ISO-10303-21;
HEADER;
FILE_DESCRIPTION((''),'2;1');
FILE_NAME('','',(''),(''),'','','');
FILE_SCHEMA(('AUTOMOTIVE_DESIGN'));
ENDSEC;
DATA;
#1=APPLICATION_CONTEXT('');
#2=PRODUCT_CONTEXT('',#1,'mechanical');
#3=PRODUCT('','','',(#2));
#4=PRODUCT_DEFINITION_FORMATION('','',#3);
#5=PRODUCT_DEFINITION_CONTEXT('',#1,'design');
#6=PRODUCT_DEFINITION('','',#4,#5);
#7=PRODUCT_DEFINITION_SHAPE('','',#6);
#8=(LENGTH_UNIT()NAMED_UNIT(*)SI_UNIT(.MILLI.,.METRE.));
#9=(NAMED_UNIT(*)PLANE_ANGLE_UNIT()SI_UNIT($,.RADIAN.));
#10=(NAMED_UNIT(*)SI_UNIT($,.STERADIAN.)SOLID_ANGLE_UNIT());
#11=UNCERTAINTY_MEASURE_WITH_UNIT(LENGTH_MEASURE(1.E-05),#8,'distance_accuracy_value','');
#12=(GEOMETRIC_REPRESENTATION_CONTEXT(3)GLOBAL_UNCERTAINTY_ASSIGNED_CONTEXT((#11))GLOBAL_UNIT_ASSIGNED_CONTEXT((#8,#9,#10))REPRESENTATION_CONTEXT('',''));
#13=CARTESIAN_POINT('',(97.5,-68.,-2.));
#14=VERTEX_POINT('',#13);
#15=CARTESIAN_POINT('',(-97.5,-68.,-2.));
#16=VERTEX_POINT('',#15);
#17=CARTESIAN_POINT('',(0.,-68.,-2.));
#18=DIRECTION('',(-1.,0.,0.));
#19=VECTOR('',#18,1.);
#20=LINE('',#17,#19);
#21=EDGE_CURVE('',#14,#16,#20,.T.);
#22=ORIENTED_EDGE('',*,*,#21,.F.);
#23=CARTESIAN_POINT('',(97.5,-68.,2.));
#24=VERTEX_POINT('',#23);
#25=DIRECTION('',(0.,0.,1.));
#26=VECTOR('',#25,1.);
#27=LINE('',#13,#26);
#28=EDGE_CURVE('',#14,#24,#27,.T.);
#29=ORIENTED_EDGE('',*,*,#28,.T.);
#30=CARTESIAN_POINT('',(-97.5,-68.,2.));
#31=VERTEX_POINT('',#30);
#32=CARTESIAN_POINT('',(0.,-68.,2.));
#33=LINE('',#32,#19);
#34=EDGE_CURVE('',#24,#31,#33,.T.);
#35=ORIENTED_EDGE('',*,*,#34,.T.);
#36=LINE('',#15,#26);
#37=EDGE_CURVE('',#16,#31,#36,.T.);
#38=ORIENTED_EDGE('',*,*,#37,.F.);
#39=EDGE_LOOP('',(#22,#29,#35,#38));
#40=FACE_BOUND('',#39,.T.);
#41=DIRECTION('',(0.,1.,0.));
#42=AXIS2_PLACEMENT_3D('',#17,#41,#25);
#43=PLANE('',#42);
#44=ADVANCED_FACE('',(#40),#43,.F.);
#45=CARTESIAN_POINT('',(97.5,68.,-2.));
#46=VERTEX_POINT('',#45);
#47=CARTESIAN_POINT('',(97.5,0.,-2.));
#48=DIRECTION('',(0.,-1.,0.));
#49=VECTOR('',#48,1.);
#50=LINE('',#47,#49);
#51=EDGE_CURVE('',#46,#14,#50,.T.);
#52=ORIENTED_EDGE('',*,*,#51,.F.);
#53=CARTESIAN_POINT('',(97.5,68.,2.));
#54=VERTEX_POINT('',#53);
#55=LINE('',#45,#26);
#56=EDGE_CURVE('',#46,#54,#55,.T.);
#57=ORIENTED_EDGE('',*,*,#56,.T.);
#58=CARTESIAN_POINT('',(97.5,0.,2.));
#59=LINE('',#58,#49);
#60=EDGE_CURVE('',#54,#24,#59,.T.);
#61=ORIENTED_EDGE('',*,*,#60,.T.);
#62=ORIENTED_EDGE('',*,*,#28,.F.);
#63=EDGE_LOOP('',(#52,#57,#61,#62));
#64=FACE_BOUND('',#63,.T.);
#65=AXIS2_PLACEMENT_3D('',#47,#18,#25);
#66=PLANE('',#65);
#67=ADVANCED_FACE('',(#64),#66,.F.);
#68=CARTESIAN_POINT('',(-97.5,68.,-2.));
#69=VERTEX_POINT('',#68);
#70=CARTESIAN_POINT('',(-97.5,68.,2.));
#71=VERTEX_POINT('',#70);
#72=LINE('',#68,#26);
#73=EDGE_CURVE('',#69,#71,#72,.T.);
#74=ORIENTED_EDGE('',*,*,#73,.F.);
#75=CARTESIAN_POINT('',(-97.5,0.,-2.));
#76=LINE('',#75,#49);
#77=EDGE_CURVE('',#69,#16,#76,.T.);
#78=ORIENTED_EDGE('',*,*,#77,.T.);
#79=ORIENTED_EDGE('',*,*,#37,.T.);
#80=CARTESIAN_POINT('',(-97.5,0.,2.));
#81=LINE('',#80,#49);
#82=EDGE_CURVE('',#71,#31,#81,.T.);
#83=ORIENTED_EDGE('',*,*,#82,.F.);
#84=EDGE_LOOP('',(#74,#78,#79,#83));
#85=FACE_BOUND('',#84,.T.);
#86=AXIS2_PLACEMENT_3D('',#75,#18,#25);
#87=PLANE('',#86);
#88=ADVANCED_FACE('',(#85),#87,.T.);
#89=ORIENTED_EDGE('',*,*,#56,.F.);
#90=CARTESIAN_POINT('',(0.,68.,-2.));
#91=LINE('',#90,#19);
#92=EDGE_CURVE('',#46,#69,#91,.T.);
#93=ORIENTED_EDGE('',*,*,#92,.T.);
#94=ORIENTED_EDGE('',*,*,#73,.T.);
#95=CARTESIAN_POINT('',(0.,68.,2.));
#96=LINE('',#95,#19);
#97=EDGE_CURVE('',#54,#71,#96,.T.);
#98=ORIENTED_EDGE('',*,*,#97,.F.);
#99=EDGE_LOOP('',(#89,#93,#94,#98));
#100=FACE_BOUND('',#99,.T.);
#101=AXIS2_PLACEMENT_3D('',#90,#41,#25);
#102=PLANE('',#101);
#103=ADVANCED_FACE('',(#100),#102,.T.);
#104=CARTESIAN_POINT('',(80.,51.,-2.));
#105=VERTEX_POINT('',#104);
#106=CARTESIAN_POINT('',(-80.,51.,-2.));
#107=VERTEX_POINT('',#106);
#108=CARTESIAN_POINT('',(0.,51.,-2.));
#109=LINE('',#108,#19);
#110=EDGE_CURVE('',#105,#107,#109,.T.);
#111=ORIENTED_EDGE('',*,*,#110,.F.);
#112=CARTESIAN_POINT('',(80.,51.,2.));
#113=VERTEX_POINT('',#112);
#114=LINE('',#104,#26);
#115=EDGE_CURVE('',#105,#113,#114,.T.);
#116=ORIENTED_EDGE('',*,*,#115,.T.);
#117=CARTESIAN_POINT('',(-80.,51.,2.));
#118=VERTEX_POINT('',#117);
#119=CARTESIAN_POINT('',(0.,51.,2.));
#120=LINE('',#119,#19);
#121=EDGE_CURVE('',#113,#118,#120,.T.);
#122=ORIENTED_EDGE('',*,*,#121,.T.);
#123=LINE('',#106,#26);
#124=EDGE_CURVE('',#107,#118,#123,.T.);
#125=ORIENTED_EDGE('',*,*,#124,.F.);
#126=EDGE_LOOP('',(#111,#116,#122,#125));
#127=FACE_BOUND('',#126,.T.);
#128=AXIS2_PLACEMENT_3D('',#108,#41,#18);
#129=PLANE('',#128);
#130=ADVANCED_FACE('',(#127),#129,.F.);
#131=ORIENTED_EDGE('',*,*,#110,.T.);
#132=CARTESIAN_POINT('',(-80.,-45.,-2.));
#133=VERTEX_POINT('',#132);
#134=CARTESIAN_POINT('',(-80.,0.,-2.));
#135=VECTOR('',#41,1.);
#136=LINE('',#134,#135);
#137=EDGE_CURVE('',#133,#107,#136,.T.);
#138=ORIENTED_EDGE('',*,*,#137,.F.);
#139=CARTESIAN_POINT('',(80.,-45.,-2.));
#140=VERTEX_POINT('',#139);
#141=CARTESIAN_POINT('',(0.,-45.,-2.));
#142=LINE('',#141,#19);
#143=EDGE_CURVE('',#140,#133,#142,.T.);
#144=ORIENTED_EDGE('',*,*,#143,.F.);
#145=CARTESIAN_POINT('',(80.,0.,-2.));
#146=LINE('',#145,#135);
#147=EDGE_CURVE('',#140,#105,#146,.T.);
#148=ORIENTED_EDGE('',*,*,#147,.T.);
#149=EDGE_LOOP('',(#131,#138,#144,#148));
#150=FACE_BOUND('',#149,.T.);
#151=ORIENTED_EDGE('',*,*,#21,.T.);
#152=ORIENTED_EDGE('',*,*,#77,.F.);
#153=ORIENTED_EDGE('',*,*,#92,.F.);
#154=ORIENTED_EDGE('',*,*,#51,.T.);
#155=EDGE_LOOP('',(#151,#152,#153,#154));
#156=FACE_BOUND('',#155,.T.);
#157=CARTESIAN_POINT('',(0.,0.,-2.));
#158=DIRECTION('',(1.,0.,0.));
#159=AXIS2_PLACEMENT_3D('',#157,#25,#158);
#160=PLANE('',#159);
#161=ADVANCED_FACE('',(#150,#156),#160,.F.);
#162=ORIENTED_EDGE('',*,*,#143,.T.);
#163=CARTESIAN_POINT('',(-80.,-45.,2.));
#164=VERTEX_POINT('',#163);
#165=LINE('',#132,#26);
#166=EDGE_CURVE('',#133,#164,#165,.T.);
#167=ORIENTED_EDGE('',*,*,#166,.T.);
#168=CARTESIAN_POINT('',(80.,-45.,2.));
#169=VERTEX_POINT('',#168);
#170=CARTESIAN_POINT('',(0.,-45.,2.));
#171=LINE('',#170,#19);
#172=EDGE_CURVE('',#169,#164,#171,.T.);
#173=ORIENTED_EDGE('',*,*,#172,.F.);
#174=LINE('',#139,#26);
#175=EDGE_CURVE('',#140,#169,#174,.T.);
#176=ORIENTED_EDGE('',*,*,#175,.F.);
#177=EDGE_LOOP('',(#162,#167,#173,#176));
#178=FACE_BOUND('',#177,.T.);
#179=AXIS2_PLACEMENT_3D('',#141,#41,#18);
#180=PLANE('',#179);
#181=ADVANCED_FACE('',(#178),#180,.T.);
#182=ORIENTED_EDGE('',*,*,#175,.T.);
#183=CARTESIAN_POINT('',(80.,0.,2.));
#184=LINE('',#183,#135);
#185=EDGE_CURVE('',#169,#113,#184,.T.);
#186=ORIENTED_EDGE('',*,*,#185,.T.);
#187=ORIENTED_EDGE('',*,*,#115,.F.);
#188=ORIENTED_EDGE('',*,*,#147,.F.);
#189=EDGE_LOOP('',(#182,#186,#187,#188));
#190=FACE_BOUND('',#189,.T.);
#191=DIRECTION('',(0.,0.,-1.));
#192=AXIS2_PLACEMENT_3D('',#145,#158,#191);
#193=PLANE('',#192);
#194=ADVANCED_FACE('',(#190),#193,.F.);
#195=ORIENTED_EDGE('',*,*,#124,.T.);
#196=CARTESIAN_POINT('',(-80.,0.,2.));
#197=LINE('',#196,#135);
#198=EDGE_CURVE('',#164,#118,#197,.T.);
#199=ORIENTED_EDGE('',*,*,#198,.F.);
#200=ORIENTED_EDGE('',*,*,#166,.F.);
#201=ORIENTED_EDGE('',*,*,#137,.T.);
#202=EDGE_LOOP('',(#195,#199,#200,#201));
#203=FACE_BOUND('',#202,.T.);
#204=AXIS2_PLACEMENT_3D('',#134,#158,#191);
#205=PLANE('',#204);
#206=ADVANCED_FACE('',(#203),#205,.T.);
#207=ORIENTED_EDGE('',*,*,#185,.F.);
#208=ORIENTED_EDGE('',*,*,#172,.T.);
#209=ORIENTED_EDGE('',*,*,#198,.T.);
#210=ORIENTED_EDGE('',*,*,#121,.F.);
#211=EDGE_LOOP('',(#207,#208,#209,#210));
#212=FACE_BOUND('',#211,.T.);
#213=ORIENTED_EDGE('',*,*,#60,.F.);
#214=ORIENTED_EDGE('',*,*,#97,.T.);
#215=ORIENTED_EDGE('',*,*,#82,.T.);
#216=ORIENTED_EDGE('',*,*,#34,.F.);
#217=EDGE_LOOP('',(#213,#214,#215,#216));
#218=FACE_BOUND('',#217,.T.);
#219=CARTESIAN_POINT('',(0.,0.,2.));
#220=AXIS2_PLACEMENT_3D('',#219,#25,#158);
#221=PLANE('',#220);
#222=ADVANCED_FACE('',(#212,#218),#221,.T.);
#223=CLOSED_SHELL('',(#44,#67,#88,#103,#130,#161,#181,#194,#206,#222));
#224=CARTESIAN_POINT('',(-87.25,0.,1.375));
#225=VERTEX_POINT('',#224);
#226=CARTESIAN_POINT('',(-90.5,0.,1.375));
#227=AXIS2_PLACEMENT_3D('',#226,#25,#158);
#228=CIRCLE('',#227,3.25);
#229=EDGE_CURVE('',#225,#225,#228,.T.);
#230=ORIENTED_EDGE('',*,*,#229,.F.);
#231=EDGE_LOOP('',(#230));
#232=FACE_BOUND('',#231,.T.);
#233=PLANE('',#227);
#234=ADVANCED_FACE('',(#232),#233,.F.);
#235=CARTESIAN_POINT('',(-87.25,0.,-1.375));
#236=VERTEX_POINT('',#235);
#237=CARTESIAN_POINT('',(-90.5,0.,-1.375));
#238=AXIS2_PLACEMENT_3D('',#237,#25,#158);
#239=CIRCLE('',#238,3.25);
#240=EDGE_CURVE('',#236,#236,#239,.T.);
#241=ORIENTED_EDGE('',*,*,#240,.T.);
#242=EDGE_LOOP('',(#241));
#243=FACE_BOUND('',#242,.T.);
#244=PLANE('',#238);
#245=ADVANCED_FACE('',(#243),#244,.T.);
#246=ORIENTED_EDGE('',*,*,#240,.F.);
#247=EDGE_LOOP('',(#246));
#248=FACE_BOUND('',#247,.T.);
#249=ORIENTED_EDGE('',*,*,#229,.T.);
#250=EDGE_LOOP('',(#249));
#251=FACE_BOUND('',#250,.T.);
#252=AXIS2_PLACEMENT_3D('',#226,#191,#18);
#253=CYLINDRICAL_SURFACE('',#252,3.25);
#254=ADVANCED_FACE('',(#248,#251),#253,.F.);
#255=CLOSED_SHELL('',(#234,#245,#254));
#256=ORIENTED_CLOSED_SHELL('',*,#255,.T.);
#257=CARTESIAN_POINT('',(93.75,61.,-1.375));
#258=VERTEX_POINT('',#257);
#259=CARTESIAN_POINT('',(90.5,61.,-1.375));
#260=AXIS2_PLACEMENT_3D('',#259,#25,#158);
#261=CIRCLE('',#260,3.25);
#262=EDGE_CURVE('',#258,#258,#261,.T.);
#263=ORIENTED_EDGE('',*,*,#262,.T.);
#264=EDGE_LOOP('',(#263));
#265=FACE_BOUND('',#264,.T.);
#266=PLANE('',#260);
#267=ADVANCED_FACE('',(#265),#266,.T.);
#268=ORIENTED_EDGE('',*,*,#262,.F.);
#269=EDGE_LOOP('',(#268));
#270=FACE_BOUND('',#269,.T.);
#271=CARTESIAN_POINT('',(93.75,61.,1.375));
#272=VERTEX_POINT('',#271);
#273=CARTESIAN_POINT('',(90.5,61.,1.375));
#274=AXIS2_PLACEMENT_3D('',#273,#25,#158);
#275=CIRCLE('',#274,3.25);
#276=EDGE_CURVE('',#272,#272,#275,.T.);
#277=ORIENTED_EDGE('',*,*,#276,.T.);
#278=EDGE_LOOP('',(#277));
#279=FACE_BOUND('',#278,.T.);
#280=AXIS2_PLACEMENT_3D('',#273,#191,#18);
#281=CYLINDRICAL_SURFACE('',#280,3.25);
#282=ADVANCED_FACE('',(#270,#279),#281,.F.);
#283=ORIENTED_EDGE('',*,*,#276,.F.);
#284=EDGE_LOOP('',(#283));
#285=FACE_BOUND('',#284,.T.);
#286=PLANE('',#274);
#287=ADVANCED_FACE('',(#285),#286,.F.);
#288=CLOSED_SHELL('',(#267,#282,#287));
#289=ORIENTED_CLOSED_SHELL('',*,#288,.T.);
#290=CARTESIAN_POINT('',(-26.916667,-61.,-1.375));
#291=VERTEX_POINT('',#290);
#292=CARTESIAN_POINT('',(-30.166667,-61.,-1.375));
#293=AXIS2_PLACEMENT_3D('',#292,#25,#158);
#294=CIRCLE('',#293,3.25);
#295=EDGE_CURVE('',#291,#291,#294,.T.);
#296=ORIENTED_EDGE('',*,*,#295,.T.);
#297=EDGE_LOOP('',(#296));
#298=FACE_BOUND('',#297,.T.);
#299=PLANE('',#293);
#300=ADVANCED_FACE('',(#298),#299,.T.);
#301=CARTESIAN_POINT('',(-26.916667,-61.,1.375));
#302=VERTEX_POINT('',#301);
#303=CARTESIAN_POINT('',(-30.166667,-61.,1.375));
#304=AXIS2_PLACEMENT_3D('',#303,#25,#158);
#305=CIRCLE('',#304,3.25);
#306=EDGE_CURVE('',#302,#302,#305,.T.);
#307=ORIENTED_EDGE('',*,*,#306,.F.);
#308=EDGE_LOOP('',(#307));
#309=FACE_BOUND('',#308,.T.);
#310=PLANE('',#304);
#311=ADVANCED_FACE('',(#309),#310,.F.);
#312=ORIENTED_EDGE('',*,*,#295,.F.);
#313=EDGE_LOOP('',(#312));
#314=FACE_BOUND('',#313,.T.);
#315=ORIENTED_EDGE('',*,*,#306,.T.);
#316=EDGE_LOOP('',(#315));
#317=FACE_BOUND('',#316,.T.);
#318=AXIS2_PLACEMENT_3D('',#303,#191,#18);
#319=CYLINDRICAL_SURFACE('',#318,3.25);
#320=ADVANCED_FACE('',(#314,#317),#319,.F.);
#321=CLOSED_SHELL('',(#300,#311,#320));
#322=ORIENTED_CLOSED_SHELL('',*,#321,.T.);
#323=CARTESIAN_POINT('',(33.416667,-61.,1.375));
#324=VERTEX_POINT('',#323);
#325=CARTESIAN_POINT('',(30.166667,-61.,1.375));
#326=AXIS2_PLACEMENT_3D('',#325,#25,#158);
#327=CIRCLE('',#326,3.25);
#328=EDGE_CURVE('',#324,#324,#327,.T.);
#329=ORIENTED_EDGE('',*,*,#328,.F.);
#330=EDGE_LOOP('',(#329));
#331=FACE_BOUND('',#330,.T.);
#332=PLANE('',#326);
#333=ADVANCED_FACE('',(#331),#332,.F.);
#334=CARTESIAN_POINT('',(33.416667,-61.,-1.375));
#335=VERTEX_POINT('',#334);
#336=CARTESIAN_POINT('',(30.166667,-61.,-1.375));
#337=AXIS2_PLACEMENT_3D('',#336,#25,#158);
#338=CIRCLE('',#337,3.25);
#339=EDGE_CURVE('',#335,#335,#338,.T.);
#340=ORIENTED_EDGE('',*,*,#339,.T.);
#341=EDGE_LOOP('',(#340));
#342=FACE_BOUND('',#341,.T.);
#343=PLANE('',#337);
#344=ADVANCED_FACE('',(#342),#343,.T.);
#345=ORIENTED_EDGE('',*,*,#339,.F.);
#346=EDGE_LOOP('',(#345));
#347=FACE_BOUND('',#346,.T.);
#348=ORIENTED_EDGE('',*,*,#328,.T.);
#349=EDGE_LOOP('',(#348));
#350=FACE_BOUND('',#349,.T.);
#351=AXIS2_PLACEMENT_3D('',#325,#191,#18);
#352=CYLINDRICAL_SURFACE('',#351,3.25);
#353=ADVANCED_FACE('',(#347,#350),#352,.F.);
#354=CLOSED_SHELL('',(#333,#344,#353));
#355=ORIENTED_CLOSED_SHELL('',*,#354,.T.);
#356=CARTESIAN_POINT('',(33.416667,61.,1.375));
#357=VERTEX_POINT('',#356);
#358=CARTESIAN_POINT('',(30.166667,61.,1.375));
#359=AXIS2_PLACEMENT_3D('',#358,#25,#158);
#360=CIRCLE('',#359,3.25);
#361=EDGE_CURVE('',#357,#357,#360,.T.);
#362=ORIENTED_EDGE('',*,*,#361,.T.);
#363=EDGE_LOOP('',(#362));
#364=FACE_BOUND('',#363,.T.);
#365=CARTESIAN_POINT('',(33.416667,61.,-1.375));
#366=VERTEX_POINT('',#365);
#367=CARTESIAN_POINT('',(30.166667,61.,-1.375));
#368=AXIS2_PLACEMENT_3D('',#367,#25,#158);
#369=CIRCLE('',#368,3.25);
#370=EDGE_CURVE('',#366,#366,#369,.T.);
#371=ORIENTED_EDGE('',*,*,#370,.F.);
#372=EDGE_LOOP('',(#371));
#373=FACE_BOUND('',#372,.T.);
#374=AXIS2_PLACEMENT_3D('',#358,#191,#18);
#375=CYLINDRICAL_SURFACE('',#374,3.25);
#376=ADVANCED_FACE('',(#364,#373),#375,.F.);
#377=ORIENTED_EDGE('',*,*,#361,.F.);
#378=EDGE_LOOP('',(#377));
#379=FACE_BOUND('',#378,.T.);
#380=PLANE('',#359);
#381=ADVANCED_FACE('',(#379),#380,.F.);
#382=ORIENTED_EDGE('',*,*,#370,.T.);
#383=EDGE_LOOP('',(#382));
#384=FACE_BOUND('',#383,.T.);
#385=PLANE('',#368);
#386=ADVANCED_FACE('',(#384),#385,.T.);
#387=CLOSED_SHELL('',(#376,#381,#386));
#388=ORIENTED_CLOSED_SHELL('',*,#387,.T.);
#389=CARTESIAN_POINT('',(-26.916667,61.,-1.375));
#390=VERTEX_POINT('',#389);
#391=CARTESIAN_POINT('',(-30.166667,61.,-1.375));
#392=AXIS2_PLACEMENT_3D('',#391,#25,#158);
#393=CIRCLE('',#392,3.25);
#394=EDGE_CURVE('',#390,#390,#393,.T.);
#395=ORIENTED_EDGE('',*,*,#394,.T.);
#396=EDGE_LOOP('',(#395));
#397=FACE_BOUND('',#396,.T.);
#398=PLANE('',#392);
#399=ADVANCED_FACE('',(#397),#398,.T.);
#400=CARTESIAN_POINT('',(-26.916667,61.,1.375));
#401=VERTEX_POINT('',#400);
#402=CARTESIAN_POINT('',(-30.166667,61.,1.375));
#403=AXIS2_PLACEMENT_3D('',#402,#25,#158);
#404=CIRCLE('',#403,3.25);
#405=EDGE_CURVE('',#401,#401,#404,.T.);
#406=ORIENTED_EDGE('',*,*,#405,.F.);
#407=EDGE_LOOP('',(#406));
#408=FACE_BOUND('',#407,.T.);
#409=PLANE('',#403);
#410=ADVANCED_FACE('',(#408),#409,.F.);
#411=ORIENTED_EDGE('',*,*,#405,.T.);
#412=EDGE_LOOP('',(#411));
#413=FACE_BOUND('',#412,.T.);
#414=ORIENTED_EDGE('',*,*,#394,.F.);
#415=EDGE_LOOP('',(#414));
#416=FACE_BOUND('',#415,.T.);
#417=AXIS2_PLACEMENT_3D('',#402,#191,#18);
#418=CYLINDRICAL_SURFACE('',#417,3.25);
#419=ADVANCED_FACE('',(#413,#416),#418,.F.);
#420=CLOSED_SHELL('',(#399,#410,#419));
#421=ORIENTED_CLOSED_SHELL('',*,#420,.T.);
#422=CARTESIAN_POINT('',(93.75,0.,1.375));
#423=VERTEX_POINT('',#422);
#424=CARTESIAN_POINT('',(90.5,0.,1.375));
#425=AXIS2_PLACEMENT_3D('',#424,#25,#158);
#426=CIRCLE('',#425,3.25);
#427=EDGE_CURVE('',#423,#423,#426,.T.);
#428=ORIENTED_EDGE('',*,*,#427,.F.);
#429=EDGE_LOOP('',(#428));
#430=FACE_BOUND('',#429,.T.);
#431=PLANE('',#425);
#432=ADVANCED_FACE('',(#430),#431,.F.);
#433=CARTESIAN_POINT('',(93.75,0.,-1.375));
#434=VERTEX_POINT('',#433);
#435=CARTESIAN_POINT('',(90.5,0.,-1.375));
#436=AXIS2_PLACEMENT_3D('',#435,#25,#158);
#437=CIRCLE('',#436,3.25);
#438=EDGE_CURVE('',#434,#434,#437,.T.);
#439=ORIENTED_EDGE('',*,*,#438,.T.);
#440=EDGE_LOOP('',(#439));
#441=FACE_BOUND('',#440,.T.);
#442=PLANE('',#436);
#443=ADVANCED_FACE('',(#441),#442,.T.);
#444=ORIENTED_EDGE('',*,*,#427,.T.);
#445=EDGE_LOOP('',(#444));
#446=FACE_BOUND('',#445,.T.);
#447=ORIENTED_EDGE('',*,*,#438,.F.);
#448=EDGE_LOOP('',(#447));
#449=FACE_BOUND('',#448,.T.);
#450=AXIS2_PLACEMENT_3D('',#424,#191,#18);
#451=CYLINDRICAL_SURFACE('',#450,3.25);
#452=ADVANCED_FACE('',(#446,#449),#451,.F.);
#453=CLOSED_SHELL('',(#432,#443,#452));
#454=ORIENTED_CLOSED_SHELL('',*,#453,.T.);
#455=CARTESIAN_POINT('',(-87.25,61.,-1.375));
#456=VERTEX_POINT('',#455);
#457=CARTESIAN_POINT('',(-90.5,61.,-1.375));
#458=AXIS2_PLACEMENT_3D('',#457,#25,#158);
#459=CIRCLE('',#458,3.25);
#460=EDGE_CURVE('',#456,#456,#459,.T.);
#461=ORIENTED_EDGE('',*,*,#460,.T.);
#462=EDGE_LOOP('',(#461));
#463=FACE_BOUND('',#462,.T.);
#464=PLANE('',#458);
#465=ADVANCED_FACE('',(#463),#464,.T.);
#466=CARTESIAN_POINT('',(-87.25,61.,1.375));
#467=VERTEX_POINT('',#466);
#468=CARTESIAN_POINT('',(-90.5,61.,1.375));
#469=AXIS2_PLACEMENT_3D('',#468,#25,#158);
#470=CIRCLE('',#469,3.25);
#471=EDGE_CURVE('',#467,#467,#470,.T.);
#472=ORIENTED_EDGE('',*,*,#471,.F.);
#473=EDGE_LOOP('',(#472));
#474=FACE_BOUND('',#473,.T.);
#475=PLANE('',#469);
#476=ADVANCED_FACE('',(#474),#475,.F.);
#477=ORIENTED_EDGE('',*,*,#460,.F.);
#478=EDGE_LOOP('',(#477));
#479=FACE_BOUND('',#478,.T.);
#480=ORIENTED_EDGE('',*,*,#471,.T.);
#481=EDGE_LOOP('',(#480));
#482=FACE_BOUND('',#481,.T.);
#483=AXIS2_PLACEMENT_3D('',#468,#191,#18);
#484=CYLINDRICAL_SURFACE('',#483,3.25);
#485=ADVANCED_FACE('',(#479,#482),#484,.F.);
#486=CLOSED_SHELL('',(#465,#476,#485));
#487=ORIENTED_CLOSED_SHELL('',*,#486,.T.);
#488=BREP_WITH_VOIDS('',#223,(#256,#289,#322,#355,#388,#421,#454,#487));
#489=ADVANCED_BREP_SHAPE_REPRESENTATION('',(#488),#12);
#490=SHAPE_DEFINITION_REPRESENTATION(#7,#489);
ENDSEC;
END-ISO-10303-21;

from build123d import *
from build123d.topology import SkipClean

# Parameters (mm, degrees)
SKETCH1_W               = 195
SKETCH1_H               = 136
SKETCH1_W_2             = 160
SKETCH1_H_2             = 96
BOSS_EXTRUDE1_DEPTH     = 2
SKETCH1_3_W             = 195
SKETCH1_3_H             = 136
SKETCH1_3_W_2           = 160
SKETCH1_3_H_2           = 96
BOSS_EXTRUDE2_DEPTH     = 2
CUT_EXTRUDE1_DEPTH      = 1.375
CUT_EXTRUDE1_DEPTH_BACK = 1.375
SKETCH2_R               = 3.25


with BuildPart() as part:
    # Sketch1 → Boss-Extrude1 (new body)
    with BuildSketch(Plane.XY):
        Rectangle(SKETCH1_W, SKETCH1_H)
        with Locations((0, 3)):
            Rectangle(SKETCH1_W_2, SKETCH1_H_2, mode=Mode.SUBTRACT)
    extrude(amount=-BOSS_EXTRUDE1_DEPTH)

    # Sketch1<3> → Boss-Extrude2 (add)
    with BuildSketch(Plane.XY):
        Rectangle(SKETCH1_3_W, SKETCH1_3_H)
        with Locations((0, 3)):
            Rectangle(SKETCH1_3_W_2, SKETCH1_3_H_2, mode=Mode.SUBTRACT)
    extrude(amount=BOSS_EXTRUDE2_DEPTH)

    # Sketch2 → Cut-Extrude1 (cut, two sides: drawn at the far end of the back side and taken through both)
    with SkipClean():  # the faces are left unmerged after this step: merging them gives an invalid solid
        with BuildSketch(Plane.XY.offset(-CUT_EXTRUDE1_DEPTH_BACK)):
            with Locations((-90.5, 61)):
                Circle(SKETCH2_R)
            with Locations((90.5, 61)):
                Circle(SKETCH2_R)
            with Locations((-30.166666667, -61)):
                Circle(SKETCH2_R)
            with Locations((30.166666667, -61)):
                Circle(SKETCH2_R)
            with Locations((90.5, 0)):
                Circle(SKETCH2_R)
            with Locations((-30.166666667, 61)):
                Circle(SKETCH2_R)
            with Locations((30.166666667, 61)):
                Circle(SKETCH2_R)
            with Locations((-90.5, 0)):
                Circle(SKETCH2_R)
        extrude(amount=CUT_EXTRUDE1_DEPTH + CUT_EXTRUDE1_DEPTH_BACK, mode=Mode.SUBTRACT)


solid = part.part
